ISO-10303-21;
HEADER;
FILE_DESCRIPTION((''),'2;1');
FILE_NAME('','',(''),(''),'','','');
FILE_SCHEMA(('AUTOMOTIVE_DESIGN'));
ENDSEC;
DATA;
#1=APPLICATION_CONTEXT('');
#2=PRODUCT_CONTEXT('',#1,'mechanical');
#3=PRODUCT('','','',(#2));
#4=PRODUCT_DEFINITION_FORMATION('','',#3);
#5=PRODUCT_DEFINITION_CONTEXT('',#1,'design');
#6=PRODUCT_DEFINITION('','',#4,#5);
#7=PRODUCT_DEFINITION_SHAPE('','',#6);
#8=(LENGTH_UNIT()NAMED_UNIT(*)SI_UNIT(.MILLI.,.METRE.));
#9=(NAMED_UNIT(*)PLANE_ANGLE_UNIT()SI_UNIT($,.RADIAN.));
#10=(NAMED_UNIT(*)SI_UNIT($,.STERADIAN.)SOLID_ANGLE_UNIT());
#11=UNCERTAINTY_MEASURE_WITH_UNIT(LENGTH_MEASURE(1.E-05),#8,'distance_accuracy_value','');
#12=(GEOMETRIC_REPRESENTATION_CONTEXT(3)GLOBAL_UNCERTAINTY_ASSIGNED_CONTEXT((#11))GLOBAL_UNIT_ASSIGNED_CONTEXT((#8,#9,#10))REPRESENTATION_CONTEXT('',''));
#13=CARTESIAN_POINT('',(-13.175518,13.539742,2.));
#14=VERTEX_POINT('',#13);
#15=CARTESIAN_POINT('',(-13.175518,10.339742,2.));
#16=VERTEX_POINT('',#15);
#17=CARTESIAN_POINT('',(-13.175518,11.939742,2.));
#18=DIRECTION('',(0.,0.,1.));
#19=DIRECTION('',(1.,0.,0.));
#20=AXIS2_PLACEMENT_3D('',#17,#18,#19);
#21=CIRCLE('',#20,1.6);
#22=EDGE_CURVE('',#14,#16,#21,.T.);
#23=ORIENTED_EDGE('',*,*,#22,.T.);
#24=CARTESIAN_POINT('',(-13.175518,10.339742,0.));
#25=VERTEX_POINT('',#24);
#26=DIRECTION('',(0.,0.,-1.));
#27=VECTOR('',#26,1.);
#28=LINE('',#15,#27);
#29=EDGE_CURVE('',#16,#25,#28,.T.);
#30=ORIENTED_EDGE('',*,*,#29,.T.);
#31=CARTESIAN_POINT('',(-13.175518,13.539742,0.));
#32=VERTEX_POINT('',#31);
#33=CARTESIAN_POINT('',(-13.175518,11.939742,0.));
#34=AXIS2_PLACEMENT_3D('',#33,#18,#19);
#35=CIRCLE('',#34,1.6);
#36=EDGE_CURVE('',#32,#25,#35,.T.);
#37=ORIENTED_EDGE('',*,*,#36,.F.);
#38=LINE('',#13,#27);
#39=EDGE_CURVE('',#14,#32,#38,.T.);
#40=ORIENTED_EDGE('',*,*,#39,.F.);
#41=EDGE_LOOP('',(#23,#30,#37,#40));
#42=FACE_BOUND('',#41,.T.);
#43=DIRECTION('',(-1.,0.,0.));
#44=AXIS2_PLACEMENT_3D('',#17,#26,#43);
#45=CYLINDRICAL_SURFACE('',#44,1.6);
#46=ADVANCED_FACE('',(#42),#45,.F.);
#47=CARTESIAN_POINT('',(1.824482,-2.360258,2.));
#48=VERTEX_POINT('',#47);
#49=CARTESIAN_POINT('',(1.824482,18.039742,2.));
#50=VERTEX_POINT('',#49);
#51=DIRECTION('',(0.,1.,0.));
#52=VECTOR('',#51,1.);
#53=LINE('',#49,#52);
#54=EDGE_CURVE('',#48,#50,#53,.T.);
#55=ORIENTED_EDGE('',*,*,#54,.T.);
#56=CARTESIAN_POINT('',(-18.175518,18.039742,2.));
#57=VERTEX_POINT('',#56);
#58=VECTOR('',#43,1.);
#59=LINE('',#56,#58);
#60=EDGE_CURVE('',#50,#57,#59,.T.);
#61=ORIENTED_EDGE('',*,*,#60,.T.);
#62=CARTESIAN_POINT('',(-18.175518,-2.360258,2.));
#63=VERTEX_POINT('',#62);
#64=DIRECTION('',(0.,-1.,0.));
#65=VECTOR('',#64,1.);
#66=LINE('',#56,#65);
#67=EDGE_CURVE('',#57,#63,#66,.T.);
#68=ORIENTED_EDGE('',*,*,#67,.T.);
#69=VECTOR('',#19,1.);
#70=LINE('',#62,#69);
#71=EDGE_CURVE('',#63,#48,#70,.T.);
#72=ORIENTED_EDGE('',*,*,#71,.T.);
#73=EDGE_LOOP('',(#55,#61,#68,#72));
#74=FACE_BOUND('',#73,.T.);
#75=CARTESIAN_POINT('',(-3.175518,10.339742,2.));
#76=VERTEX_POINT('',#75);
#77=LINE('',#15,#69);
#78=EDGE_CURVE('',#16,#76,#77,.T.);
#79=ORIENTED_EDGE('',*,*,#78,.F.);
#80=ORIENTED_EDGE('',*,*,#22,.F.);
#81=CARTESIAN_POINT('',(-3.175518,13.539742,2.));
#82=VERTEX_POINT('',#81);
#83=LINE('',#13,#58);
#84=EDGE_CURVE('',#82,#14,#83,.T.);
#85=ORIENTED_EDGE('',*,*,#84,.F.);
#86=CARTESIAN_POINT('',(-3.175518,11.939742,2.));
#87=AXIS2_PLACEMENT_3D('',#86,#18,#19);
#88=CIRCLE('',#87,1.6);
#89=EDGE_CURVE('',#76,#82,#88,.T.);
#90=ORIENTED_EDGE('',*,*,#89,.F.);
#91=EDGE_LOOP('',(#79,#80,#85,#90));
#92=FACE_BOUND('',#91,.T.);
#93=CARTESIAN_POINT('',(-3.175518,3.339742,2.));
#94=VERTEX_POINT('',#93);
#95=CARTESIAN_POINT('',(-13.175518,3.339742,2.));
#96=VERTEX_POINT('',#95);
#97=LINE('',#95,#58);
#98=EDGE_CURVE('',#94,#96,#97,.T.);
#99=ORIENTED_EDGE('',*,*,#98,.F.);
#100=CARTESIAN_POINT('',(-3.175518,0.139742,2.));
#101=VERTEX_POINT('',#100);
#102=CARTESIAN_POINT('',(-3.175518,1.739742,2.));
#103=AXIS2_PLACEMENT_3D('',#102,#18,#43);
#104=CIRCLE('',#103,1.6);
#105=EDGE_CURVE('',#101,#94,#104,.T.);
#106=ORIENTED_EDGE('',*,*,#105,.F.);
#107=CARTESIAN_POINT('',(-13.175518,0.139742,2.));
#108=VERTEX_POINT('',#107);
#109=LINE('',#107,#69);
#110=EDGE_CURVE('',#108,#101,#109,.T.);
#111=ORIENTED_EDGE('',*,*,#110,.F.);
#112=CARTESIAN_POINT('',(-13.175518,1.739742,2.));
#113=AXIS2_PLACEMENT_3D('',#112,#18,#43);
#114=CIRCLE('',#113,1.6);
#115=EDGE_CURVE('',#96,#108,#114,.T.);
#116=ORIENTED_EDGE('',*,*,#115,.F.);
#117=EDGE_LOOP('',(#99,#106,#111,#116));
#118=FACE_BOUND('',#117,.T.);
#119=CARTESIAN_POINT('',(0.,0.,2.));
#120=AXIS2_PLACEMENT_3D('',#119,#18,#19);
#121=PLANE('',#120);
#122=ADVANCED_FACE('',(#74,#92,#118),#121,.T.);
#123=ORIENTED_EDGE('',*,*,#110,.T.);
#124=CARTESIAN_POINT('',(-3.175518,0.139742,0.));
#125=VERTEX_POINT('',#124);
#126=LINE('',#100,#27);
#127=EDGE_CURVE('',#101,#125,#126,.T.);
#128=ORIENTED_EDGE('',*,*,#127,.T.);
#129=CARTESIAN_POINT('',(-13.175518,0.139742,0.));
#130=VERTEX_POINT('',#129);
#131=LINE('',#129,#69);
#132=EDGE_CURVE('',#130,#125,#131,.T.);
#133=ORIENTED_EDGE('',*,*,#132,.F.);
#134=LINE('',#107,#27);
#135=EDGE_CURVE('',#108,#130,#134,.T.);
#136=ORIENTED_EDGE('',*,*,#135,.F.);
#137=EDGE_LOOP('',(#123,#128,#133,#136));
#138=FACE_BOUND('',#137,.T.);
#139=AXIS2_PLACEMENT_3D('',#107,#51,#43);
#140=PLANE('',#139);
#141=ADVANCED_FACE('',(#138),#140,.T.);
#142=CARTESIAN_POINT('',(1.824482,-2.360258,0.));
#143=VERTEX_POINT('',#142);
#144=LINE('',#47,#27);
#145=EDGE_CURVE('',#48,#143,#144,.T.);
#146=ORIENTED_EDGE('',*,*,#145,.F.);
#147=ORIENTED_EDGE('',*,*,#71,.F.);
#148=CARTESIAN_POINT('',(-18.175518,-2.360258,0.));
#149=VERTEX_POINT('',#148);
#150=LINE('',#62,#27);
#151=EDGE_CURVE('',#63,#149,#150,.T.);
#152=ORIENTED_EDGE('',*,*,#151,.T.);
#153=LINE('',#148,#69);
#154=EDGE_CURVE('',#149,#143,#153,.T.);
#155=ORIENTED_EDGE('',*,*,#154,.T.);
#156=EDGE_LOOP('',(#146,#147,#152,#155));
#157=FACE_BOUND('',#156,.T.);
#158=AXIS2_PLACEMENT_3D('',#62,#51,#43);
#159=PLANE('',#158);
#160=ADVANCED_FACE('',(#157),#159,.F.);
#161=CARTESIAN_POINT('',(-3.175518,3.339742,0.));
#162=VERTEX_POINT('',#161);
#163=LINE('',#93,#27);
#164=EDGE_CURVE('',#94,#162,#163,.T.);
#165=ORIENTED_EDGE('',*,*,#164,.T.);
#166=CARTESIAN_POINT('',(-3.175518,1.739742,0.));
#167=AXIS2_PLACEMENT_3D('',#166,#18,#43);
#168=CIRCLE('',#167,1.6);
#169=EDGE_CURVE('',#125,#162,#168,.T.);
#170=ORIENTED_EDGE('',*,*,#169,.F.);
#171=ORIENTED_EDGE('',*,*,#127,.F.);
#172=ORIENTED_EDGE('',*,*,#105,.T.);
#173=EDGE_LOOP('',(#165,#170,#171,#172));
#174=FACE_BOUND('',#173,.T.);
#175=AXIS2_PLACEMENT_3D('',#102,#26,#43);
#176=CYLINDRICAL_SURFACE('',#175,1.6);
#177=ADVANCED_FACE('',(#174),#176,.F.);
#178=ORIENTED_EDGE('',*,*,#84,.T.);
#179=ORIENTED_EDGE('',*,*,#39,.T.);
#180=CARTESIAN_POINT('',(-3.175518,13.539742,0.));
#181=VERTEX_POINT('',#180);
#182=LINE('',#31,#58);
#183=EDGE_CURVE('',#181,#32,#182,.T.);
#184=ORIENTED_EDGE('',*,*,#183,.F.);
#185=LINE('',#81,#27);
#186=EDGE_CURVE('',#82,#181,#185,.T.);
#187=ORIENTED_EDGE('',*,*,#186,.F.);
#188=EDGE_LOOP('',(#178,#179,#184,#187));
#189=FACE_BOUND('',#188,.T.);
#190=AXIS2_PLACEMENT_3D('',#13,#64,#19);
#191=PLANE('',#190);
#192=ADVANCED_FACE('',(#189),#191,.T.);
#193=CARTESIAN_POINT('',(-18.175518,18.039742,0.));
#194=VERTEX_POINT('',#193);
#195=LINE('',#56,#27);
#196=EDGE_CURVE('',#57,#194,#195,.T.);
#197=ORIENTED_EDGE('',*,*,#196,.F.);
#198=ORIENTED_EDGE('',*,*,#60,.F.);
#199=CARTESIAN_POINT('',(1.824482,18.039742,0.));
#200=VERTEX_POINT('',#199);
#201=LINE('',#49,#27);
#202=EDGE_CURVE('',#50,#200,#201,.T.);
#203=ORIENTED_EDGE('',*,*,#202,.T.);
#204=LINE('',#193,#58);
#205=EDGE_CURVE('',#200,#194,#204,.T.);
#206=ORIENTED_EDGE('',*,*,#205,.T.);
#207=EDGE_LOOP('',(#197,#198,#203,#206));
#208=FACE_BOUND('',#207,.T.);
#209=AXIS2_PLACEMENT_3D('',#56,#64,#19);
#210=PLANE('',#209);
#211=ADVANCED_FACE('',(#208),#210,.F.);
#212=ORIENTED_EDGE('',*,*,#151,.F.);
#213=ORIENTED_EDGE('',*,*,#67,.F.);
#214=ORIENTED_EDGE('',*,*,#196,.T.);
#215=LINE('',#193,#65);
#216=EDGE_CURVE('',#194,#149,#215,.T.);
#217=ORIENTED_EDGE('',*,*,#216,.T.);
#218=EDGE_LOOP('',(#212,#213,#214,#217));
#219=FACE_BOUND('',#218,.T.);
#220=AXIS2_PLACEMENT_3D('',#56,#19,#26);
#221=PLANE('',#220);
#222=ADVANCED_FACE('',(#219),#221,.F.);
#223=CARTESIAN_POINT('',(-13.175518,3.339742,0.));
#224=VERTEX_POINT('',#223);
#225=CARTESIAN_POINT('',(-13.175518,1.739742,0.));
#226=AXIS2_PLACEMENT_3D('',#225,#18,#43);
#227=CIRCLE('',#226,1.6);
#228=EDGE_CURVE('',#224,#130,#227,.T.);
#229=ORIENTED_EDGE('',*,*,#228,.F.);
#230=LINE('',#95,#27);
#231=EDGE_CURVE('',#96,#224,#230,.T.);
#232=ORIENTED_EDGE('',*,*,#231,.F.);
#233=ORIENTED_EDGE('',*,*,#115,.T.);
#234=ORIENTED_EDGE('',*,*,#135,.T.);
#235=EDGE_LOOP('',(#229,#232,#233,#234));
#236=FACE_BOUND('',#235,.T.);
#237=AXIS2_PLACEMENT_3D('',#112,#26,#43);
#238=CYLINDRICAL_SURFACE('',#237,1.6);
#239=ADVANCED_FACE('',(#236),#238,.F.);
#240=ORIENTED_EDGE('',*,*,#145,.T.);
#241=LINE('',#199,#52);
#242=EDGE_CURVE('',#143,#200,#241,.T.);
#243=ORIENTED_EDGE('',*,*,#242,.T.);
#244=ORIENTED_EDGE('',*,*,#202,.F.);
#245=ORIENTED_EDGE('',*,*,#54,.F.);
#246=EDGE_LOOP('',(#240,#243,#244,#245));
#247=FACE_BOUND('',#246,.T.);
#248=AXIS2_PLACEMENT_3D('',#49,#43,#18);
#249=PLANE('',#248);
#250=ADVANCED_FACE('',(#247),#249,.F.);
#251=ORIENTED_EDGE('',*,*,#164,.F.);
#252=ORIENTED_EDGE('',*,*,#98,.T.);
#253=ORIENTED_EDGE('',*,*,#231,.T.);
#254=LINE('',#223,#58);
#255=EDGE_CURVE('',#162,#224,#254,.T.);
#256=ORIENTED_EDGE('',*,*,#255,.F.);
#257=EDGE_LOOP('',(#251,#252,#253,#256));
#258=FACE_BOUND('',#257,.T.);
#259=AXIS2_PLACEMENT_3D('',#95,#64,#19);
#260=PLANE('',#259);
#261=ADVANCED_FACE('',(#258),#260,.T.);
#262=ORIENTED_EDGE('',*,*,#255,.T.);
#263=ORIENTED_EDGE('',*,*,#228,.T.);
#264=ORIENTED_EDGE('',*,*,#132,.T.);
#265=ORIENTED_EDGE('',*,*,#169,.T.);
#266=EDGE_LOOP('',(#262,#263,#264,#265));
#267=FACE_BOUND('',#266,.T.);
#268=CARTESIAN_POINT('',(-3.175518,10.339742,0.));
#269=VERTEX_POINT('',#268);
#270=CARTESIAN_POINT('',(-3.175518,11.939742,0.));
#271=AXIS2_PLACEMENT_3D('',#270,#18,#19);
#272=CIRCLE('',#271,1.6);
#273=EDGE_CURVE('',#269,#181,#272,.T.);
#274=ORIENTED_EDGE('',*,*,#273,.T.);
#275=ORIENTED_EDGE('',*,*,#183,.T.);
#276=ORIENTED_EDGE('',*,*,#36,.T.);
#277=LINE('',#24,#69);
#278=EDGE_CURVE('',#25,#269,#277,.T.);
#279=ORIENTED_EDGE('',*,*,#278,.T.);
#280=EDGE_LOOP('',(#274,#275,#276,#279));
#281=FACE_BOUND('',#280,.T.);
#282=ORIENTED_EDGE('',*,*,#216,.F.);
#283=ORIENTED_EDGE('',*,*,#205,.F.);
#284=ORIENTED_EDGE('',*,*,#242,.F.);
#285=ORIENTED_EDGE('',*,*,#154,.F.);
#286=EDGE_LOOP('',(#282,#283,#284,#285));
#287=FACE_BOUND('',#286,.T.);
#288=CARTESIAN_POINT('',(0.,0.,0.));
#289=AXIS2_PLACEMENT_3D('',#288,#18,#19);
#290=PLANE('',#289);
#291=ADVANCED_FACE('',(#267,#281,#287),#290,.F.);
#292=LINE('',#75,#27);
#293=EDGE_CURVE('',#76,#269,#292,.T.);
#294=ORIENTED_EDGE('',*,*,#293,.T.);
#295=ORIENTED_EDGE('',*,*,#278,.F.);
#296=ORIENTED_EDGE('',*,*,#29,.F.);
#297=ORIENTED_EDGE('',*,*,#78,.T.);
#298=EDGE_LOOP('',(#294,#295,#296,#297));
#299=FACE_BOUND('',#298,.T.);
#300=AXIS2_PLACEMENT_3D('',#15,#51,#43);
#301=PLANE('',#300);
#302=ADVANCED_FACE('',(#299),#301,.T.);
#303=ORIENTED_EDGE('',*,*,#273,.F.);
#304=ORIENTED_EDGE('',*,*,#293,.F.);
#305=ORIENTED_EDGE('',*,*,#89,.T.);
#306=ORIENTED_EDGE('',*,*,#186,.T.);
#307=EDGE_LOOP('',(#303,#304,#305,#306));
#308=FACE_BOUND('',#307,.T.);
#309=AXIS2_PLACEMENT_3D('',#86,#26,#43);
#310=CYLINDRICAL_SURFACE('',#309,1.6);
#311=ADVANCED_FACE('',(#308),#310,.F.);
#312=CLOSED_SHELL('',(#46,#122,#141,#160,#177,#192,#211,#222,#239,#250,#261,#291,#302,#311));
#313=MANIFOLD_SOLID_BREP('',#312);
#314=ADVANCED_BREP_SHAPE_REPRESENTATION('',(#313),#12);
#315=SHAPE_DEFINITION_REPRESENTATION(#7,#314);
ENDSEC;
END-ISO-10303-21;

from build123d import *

# Parameters (mm, degrees)
SKETCH_1_W      = 20
SKETCH_1_H      = 20.4
EXTRUDE_1_DEPTH = 2


with BuildPart() as part:
    # 草图1 → 凸台-拉伸1 (new body)
    with BuildSketch(Plane.XY):
        with Locations((-8.175518001, 7.839742025)):
            Rectangle(SKETCH_1_W, SKETCH_1_H)
        with BuildLine():
            Line((-13.175518001, 13.539742025), (-3.175518001, 13.539742025))
            ThreePointArc((-3.175518001, 13.539742025), (-1.575518001, 11.939742025), (-3.175518001, 10.339742025))
            Line((-3.175518001, 10.339742025), (-13.175518001, 10.339742025))
            ThreePointArc((-13.175518001, 10.339742025), (-14.775518001, 11.939742025), (-13.175518001, 13.539742025))
        make_face(mode=Mode.SUBTRACT)
        with BuildLine():
            Line((-13.175518001, 0.139742025), (-3.175518001, 0.139742025))
            ThreePointArc((-3.175518001, 0.139742025), (-1.575518001, 1.739742025), (-3.175518001, 3.339742025))
            Line((-3.175518001, 3.339742025), (-13.175518001, 3.339742025))
            ThreePointArc((-13.175518001, 3.339742025), (-14.775518001, 1.739742025), (-13.175518001, 0.139742025))
        make_face(mode=Mode.SUBTRACT)
    extrude(amount=EXTRUDE_1_DEPTH)


solid = part.part
